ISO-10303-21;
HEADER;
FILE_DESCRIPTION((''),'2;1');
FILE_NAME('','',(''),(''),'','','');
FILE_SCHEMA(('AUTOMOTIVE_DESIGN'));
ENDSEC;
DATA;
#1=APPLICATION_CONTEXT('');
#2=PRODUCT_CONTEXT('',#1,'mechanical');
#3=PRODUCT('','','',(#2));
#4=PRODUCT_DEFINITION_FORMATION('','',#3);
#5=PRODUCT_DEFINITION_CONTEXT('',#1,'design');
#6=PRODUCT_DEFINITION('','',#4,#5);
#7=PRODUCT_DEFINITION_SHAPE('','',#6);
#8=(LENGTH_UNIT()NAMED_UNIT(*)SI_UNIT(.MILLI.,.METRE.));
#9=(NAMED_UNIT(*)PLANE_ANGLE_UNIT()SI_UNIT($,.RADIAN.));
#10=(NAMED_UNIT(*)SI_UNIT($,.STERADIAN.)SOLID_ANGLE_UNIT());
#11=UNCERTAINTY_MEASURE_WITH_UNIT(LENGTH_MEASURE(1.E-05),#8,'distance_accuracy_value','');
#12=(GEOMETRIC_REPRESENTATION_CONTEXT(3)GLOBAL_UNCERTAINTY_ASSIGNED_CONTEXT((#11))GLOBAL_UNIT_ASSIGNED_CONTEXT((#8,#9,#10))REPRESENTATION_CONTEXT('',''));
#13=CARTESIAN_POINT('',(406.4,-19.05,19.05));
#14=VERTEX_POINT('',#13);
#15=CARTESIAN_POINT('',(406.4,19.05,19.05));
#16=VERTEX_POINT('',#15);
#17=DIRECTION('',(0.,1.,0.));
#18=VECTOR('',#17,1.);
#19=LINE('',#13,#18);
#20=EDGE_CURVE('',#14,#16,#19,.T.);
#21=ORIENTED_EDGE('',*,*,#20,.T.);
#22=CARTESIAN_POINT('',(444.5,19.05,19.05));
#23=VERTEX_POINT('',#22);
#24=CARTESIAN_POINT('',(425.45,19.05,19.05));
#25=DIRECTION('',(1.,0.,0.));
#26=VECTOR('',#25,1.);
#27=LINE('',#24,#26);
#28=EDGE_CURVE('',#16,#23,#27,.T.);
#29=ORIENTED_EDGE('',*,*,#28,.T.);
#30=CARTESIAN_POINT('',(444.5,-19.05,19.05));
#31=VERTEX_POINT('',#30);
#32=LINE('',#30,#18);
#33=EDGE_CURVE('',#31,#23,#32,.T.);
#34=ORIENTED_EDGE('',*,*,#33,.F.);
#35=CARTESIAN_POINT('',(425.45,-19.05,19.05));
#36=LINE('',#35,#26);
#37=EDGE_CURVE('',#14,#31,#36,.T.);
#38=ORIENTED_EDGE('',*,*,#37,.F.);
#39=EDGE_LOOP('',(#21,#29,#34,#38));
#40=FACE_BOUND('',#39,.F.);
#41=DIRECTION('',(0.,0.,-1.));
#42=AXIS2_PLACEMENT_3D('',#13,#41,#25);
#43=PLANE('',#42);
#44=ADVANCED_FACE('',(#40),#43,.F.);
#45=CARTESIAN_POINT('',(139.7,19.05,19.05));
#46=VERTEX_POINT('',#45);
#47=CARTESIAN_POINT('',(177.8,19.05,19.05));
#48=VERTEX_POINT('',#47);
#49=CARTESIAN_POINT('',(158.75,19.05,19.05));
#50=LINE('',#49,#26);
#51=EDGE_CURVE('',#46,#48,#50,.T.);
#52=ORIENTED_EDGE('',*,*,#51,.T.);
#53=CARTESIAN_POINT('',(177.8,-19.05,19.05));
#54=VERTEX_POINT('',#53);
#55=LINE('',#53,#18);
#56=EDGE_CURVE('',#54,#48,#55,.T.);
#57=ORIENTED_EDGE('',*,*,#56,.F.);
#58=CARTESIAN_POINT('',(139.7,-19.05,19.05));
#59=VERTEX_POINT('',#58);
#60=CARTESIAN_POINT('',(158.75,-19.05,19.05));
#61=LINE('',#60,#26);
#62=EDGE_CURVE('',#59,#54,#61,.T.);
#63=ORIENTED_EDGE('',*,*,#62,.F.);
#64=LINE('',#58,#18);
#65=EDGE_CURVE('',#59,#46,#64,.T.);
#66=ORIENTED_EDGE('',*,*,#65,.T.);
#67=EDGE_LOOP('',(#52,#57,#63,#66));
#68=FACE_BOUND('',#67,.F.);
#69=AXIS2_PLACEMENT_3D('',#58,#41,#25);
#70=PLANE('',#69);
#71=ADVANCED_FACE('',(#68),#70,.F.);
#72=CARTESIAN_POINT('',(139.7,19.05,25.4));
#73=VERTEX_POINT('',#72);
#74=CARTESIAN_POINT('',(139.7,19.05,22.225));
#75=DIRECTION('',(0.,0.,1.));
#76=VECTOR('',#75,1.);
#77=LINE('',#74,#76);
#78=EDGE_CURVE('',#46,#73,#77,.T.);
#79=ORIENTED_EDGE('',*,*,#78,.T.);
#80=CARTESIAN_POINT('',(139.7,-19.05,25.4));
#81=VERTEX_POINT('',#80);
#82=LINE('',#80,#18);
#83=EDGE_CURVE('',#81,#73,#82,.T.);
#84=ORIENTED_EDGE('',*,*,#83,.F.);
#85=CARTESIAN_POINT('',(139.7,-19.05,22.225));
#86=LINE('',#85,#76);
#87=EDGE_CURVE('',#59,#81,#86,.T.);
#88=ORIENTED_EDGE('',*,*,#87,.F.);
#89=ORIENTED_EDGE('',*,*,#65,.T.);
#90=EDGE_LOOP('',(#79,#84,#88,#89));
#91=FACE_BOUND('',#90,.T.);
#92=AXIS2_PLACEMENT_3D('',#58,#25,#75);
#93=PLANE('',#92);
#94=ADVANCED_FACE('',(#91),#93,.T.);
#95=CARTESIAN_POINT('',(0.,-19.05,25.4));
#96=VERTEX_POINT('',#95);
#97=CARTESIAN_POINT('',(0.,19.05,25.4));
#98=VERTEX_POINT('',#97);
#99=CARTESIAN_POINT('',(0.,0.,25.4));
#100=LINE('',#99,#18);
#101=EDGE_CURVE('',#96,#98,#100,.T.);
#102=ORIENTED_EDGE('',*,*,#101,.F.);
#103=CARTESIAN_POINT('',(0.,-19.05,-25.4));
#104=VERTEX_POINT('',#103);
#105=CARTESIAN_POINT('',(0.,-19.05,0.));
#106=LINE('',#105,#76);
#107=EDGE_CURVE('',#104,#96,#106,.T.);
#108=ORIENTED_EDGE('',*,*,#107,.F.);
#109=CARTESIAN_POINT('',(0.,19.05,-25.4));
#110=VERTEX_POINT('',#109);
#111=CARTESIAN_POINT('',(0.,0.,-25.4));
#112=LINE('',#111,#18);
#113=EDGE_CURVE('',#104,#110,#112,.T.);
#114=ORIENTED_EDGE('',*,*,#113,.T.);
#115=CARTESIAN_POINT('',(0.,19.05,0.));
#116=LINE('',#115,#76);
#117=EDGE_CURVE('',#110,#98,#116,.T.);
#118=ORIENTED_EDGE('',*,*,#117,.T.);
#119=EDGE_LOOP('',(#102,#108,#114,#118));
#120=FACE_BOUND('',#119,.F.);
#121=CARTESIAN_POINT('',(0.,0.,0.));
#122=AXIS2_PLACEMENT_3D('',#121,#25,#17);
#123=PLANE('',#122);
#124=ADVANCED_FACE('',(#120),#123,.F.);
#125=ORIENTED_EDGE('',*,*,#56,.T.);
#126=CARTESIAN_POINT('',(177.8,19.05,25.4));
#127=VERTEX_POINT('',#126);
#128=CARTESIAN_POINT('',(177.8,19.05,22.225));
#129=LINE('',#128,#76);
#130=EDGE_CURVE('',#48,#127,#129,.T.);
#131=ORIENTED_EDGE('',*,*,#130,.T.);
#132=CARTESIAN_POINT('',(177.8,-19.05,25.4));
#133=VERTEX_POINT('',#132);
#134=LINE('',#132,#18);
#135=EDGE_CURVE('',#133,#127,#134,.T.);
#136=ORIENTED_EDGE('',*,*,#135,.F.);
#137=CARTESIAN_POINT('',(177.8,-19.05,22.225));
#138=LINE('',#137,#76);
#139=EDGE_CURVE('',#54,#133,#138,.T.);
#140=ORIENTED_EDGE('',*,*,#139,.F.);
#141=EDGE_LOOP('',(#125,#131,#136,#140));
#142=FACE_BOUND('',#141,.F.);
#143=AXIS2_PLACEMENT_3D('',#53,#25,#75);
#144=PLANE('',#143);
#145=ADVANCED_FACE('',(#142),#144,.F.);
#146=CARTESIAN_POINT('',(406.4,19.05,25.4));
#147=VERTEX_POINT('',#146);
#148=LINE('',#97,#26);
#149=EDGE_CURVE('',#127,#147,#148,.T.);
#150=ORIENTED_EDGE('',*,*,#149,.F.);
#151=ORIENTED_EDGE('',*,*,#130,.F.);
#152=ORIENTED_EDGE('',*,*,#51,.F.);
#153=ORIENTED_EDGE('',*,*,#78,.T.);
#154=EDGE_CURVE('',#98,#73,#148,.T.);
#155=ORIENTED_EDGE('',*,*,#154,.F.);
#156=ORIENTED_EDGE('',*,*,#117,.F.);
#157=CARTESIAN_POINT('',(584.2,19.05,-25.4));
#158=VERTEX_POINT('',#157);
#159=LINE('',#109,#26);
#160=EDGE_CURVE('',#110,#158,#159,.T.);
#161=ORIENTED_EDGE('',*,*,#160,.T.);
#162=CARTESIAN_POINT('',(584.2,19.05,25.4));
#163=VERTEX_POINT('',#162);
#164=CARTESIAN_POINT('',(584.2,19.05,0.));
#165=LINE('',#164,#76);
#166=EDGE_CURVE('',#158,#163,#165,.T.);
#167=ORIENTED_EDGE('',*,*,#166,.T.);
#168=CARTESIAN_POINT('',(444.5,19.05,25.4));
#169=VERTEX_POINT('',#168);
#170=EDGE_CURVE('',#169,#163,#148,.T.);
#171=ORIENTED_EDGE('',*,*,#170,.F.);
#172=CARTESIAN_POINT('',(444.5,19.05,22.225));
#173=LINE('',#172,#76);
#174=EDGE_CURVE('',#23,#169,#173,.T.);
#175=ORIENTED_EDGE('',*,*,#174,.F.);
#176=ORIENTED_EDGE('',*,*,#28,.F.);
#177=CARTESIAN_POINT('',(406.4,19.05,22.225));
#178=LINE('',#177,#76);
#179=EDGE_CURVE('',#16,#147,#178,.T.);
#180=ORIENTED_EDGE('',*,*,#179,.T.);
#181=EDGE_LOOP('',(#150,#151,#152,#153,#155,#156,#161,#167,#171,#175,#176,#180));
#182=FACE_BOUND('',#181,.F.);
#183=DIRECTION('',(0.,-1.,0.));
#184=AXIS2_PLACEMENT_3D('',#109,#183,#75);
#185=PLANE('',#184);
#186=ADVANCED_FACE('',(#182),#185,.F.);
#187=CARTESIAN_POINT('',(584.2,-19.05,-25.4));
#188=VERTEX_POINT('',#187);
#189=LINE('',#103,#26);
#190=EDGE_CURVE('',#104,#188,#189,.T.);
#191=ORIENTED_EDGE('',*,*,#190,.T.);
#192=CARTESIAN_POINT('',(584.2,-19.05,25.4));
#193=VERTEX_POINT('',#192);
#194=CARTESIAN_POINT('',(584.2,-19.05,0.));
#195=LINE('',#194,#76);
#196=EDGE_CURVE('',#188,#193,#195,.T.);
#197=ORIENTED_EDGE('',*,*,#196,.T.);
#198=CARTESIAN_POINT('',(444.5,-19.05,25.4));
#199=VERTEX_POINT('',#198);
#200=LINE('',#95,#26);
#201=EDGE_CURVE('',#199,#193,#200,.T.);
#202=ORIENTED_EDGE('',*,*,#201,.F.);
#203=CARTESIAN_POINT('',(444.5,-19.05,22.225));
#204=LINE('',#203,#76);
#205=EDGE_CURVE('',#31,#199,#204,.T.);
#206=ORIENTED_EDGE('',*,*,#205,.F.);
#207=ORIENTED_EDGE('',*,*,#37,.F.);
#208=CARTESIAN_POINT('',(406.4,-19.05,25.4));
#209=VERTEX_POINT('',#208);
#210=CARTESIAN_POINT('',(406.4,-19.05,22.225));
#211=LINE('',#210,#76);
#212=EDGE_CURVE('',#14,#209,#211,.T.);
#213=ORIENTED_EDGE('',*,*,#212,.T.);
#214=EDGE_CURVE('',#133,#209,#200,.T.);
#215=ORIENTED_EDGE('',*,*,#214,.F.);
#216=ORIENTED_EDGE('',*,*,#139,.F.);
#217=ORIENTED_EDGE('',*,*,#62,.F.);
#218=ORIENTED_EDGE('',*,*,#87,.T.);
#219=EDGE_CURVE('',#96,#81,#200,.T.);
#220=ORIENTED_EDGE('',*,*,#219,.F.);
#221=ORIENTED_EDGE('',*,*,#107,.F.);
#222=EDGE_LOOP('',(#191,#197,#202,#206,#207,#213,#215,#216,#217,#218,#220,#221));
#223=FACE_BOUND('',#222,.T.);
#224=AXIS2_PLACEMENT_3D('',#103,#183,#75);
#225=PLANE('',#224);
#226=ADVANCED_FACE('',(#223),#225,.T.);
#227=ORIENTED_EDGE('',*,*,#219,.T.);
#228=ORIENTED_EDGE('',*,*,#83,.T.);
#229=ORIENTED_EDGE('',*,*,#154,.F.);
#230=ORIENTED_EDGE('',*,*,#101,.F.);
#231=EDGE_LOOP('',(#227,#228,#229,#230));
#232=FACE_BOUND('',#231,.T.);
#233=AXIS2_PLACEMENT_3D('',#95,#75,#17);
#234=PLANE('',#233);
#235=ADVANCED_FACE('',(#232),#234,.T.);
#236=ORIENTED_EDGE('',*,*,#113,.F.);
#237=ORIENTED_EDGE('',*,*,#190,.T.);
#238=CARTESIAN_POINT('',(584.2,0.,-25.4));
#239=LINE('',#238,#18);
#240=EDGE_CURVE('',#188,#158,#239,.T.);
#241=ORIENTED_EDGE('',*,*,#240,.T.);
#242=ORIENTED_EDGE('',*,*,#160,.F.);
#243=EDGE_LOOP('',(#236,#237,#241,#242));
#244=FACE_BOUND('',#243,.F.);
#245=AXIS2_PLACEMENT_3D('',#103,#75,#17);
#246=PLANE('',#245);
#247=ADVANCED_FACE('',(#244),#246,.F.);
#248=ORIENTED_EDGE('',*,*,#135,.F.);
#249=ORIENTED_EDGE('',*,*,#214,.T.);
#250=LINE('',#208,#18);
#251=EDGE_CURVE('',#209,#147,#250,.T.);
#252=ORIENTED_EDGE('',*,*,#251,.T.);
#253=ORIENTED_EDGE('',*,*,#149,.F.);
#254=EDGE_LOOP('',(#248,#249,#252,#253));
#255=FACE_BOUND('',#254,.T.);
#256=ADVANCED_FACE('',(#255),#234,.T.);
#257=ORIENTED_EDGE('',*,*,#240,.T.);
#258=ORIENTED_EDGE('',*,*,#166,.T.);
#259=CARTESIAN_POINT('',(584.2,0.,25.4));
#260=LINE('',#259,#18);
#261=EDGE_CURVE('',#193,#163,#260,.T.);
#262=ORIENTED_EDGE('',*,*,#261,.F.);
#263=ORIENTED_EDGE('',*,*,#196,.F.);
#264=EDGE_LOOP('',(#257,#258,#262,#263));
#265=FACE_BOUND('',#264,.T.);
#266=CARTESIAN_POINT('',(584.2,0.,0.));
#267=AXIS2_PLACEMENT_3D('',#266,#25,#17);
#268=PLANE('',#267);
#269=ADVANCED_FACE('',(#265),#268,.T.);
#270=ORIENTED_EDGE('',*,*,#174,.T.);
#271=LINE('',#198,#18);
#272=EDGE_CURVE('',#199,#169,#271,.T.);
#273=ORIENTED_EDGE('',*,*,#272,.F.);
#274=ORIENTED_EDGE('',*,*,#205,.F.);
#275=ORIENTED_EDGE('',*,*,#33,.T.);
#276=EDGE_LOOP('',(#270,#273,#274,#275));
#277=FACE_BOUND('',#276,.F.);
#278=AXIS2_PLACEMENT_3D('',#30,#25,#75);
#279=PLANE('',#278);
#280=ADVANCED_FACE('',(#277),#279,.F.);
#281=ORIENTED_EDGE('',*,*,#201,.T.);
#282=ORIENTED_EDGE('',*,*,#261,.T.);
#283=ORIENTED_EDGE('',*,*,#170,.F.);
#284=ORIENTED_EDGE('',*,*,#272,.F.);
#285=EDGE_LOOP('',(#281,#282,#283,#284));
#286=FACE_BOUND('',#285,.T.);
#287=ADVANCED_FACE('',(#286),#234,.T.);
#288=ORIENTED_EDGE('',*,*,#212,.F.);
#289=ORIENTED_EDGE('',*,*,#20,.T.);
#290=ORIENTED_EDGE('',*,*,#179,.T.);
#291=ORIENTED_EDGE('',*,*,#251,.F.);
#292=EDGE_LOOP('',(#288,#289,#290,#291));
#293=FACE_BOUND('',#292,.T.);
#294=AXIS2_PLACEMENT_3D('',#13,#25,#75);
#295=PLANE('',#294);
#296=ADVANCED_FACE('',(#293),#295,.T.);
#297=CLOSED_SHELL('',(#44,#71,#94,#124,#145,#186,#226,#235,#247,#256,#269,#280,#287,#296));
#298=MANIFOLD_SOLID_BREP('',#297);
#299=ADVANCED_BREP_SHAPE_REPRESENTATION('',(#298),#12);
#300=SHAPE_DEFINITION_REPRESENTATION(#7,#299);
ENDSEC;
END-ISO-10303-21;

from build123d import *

# Parameters (mm, degrees)
F0_W     = 38.1
F0_H     = 50.8
F1_DEPTH = 584.2
F2_W     = 38.1
F2_H     = 6.35
F3_DEPTH = 38.1


with BuildPart() as f1:
    # F0 (on Right) → F1 (new body)
    with BuildSketch(Plane.YZ):
        Rectangle(F0_W, F0_H)
    extrude(amount=F1_DEPTH)

    # F2 (on face) → F3 (cut, through all)
    with BuildSketch(Plane.XZ.offset(19.05)):
        with Locations((158.75, 22.225)):
            Rectangle(F2_W, F2_H)
        with Locations((425.45, 22.225)):
            Rectangle(F2_W, F2_H)
    extrude(amount=-F3_DEPTH, mode=Mode.SUBTRACT)


solid = f1.part
